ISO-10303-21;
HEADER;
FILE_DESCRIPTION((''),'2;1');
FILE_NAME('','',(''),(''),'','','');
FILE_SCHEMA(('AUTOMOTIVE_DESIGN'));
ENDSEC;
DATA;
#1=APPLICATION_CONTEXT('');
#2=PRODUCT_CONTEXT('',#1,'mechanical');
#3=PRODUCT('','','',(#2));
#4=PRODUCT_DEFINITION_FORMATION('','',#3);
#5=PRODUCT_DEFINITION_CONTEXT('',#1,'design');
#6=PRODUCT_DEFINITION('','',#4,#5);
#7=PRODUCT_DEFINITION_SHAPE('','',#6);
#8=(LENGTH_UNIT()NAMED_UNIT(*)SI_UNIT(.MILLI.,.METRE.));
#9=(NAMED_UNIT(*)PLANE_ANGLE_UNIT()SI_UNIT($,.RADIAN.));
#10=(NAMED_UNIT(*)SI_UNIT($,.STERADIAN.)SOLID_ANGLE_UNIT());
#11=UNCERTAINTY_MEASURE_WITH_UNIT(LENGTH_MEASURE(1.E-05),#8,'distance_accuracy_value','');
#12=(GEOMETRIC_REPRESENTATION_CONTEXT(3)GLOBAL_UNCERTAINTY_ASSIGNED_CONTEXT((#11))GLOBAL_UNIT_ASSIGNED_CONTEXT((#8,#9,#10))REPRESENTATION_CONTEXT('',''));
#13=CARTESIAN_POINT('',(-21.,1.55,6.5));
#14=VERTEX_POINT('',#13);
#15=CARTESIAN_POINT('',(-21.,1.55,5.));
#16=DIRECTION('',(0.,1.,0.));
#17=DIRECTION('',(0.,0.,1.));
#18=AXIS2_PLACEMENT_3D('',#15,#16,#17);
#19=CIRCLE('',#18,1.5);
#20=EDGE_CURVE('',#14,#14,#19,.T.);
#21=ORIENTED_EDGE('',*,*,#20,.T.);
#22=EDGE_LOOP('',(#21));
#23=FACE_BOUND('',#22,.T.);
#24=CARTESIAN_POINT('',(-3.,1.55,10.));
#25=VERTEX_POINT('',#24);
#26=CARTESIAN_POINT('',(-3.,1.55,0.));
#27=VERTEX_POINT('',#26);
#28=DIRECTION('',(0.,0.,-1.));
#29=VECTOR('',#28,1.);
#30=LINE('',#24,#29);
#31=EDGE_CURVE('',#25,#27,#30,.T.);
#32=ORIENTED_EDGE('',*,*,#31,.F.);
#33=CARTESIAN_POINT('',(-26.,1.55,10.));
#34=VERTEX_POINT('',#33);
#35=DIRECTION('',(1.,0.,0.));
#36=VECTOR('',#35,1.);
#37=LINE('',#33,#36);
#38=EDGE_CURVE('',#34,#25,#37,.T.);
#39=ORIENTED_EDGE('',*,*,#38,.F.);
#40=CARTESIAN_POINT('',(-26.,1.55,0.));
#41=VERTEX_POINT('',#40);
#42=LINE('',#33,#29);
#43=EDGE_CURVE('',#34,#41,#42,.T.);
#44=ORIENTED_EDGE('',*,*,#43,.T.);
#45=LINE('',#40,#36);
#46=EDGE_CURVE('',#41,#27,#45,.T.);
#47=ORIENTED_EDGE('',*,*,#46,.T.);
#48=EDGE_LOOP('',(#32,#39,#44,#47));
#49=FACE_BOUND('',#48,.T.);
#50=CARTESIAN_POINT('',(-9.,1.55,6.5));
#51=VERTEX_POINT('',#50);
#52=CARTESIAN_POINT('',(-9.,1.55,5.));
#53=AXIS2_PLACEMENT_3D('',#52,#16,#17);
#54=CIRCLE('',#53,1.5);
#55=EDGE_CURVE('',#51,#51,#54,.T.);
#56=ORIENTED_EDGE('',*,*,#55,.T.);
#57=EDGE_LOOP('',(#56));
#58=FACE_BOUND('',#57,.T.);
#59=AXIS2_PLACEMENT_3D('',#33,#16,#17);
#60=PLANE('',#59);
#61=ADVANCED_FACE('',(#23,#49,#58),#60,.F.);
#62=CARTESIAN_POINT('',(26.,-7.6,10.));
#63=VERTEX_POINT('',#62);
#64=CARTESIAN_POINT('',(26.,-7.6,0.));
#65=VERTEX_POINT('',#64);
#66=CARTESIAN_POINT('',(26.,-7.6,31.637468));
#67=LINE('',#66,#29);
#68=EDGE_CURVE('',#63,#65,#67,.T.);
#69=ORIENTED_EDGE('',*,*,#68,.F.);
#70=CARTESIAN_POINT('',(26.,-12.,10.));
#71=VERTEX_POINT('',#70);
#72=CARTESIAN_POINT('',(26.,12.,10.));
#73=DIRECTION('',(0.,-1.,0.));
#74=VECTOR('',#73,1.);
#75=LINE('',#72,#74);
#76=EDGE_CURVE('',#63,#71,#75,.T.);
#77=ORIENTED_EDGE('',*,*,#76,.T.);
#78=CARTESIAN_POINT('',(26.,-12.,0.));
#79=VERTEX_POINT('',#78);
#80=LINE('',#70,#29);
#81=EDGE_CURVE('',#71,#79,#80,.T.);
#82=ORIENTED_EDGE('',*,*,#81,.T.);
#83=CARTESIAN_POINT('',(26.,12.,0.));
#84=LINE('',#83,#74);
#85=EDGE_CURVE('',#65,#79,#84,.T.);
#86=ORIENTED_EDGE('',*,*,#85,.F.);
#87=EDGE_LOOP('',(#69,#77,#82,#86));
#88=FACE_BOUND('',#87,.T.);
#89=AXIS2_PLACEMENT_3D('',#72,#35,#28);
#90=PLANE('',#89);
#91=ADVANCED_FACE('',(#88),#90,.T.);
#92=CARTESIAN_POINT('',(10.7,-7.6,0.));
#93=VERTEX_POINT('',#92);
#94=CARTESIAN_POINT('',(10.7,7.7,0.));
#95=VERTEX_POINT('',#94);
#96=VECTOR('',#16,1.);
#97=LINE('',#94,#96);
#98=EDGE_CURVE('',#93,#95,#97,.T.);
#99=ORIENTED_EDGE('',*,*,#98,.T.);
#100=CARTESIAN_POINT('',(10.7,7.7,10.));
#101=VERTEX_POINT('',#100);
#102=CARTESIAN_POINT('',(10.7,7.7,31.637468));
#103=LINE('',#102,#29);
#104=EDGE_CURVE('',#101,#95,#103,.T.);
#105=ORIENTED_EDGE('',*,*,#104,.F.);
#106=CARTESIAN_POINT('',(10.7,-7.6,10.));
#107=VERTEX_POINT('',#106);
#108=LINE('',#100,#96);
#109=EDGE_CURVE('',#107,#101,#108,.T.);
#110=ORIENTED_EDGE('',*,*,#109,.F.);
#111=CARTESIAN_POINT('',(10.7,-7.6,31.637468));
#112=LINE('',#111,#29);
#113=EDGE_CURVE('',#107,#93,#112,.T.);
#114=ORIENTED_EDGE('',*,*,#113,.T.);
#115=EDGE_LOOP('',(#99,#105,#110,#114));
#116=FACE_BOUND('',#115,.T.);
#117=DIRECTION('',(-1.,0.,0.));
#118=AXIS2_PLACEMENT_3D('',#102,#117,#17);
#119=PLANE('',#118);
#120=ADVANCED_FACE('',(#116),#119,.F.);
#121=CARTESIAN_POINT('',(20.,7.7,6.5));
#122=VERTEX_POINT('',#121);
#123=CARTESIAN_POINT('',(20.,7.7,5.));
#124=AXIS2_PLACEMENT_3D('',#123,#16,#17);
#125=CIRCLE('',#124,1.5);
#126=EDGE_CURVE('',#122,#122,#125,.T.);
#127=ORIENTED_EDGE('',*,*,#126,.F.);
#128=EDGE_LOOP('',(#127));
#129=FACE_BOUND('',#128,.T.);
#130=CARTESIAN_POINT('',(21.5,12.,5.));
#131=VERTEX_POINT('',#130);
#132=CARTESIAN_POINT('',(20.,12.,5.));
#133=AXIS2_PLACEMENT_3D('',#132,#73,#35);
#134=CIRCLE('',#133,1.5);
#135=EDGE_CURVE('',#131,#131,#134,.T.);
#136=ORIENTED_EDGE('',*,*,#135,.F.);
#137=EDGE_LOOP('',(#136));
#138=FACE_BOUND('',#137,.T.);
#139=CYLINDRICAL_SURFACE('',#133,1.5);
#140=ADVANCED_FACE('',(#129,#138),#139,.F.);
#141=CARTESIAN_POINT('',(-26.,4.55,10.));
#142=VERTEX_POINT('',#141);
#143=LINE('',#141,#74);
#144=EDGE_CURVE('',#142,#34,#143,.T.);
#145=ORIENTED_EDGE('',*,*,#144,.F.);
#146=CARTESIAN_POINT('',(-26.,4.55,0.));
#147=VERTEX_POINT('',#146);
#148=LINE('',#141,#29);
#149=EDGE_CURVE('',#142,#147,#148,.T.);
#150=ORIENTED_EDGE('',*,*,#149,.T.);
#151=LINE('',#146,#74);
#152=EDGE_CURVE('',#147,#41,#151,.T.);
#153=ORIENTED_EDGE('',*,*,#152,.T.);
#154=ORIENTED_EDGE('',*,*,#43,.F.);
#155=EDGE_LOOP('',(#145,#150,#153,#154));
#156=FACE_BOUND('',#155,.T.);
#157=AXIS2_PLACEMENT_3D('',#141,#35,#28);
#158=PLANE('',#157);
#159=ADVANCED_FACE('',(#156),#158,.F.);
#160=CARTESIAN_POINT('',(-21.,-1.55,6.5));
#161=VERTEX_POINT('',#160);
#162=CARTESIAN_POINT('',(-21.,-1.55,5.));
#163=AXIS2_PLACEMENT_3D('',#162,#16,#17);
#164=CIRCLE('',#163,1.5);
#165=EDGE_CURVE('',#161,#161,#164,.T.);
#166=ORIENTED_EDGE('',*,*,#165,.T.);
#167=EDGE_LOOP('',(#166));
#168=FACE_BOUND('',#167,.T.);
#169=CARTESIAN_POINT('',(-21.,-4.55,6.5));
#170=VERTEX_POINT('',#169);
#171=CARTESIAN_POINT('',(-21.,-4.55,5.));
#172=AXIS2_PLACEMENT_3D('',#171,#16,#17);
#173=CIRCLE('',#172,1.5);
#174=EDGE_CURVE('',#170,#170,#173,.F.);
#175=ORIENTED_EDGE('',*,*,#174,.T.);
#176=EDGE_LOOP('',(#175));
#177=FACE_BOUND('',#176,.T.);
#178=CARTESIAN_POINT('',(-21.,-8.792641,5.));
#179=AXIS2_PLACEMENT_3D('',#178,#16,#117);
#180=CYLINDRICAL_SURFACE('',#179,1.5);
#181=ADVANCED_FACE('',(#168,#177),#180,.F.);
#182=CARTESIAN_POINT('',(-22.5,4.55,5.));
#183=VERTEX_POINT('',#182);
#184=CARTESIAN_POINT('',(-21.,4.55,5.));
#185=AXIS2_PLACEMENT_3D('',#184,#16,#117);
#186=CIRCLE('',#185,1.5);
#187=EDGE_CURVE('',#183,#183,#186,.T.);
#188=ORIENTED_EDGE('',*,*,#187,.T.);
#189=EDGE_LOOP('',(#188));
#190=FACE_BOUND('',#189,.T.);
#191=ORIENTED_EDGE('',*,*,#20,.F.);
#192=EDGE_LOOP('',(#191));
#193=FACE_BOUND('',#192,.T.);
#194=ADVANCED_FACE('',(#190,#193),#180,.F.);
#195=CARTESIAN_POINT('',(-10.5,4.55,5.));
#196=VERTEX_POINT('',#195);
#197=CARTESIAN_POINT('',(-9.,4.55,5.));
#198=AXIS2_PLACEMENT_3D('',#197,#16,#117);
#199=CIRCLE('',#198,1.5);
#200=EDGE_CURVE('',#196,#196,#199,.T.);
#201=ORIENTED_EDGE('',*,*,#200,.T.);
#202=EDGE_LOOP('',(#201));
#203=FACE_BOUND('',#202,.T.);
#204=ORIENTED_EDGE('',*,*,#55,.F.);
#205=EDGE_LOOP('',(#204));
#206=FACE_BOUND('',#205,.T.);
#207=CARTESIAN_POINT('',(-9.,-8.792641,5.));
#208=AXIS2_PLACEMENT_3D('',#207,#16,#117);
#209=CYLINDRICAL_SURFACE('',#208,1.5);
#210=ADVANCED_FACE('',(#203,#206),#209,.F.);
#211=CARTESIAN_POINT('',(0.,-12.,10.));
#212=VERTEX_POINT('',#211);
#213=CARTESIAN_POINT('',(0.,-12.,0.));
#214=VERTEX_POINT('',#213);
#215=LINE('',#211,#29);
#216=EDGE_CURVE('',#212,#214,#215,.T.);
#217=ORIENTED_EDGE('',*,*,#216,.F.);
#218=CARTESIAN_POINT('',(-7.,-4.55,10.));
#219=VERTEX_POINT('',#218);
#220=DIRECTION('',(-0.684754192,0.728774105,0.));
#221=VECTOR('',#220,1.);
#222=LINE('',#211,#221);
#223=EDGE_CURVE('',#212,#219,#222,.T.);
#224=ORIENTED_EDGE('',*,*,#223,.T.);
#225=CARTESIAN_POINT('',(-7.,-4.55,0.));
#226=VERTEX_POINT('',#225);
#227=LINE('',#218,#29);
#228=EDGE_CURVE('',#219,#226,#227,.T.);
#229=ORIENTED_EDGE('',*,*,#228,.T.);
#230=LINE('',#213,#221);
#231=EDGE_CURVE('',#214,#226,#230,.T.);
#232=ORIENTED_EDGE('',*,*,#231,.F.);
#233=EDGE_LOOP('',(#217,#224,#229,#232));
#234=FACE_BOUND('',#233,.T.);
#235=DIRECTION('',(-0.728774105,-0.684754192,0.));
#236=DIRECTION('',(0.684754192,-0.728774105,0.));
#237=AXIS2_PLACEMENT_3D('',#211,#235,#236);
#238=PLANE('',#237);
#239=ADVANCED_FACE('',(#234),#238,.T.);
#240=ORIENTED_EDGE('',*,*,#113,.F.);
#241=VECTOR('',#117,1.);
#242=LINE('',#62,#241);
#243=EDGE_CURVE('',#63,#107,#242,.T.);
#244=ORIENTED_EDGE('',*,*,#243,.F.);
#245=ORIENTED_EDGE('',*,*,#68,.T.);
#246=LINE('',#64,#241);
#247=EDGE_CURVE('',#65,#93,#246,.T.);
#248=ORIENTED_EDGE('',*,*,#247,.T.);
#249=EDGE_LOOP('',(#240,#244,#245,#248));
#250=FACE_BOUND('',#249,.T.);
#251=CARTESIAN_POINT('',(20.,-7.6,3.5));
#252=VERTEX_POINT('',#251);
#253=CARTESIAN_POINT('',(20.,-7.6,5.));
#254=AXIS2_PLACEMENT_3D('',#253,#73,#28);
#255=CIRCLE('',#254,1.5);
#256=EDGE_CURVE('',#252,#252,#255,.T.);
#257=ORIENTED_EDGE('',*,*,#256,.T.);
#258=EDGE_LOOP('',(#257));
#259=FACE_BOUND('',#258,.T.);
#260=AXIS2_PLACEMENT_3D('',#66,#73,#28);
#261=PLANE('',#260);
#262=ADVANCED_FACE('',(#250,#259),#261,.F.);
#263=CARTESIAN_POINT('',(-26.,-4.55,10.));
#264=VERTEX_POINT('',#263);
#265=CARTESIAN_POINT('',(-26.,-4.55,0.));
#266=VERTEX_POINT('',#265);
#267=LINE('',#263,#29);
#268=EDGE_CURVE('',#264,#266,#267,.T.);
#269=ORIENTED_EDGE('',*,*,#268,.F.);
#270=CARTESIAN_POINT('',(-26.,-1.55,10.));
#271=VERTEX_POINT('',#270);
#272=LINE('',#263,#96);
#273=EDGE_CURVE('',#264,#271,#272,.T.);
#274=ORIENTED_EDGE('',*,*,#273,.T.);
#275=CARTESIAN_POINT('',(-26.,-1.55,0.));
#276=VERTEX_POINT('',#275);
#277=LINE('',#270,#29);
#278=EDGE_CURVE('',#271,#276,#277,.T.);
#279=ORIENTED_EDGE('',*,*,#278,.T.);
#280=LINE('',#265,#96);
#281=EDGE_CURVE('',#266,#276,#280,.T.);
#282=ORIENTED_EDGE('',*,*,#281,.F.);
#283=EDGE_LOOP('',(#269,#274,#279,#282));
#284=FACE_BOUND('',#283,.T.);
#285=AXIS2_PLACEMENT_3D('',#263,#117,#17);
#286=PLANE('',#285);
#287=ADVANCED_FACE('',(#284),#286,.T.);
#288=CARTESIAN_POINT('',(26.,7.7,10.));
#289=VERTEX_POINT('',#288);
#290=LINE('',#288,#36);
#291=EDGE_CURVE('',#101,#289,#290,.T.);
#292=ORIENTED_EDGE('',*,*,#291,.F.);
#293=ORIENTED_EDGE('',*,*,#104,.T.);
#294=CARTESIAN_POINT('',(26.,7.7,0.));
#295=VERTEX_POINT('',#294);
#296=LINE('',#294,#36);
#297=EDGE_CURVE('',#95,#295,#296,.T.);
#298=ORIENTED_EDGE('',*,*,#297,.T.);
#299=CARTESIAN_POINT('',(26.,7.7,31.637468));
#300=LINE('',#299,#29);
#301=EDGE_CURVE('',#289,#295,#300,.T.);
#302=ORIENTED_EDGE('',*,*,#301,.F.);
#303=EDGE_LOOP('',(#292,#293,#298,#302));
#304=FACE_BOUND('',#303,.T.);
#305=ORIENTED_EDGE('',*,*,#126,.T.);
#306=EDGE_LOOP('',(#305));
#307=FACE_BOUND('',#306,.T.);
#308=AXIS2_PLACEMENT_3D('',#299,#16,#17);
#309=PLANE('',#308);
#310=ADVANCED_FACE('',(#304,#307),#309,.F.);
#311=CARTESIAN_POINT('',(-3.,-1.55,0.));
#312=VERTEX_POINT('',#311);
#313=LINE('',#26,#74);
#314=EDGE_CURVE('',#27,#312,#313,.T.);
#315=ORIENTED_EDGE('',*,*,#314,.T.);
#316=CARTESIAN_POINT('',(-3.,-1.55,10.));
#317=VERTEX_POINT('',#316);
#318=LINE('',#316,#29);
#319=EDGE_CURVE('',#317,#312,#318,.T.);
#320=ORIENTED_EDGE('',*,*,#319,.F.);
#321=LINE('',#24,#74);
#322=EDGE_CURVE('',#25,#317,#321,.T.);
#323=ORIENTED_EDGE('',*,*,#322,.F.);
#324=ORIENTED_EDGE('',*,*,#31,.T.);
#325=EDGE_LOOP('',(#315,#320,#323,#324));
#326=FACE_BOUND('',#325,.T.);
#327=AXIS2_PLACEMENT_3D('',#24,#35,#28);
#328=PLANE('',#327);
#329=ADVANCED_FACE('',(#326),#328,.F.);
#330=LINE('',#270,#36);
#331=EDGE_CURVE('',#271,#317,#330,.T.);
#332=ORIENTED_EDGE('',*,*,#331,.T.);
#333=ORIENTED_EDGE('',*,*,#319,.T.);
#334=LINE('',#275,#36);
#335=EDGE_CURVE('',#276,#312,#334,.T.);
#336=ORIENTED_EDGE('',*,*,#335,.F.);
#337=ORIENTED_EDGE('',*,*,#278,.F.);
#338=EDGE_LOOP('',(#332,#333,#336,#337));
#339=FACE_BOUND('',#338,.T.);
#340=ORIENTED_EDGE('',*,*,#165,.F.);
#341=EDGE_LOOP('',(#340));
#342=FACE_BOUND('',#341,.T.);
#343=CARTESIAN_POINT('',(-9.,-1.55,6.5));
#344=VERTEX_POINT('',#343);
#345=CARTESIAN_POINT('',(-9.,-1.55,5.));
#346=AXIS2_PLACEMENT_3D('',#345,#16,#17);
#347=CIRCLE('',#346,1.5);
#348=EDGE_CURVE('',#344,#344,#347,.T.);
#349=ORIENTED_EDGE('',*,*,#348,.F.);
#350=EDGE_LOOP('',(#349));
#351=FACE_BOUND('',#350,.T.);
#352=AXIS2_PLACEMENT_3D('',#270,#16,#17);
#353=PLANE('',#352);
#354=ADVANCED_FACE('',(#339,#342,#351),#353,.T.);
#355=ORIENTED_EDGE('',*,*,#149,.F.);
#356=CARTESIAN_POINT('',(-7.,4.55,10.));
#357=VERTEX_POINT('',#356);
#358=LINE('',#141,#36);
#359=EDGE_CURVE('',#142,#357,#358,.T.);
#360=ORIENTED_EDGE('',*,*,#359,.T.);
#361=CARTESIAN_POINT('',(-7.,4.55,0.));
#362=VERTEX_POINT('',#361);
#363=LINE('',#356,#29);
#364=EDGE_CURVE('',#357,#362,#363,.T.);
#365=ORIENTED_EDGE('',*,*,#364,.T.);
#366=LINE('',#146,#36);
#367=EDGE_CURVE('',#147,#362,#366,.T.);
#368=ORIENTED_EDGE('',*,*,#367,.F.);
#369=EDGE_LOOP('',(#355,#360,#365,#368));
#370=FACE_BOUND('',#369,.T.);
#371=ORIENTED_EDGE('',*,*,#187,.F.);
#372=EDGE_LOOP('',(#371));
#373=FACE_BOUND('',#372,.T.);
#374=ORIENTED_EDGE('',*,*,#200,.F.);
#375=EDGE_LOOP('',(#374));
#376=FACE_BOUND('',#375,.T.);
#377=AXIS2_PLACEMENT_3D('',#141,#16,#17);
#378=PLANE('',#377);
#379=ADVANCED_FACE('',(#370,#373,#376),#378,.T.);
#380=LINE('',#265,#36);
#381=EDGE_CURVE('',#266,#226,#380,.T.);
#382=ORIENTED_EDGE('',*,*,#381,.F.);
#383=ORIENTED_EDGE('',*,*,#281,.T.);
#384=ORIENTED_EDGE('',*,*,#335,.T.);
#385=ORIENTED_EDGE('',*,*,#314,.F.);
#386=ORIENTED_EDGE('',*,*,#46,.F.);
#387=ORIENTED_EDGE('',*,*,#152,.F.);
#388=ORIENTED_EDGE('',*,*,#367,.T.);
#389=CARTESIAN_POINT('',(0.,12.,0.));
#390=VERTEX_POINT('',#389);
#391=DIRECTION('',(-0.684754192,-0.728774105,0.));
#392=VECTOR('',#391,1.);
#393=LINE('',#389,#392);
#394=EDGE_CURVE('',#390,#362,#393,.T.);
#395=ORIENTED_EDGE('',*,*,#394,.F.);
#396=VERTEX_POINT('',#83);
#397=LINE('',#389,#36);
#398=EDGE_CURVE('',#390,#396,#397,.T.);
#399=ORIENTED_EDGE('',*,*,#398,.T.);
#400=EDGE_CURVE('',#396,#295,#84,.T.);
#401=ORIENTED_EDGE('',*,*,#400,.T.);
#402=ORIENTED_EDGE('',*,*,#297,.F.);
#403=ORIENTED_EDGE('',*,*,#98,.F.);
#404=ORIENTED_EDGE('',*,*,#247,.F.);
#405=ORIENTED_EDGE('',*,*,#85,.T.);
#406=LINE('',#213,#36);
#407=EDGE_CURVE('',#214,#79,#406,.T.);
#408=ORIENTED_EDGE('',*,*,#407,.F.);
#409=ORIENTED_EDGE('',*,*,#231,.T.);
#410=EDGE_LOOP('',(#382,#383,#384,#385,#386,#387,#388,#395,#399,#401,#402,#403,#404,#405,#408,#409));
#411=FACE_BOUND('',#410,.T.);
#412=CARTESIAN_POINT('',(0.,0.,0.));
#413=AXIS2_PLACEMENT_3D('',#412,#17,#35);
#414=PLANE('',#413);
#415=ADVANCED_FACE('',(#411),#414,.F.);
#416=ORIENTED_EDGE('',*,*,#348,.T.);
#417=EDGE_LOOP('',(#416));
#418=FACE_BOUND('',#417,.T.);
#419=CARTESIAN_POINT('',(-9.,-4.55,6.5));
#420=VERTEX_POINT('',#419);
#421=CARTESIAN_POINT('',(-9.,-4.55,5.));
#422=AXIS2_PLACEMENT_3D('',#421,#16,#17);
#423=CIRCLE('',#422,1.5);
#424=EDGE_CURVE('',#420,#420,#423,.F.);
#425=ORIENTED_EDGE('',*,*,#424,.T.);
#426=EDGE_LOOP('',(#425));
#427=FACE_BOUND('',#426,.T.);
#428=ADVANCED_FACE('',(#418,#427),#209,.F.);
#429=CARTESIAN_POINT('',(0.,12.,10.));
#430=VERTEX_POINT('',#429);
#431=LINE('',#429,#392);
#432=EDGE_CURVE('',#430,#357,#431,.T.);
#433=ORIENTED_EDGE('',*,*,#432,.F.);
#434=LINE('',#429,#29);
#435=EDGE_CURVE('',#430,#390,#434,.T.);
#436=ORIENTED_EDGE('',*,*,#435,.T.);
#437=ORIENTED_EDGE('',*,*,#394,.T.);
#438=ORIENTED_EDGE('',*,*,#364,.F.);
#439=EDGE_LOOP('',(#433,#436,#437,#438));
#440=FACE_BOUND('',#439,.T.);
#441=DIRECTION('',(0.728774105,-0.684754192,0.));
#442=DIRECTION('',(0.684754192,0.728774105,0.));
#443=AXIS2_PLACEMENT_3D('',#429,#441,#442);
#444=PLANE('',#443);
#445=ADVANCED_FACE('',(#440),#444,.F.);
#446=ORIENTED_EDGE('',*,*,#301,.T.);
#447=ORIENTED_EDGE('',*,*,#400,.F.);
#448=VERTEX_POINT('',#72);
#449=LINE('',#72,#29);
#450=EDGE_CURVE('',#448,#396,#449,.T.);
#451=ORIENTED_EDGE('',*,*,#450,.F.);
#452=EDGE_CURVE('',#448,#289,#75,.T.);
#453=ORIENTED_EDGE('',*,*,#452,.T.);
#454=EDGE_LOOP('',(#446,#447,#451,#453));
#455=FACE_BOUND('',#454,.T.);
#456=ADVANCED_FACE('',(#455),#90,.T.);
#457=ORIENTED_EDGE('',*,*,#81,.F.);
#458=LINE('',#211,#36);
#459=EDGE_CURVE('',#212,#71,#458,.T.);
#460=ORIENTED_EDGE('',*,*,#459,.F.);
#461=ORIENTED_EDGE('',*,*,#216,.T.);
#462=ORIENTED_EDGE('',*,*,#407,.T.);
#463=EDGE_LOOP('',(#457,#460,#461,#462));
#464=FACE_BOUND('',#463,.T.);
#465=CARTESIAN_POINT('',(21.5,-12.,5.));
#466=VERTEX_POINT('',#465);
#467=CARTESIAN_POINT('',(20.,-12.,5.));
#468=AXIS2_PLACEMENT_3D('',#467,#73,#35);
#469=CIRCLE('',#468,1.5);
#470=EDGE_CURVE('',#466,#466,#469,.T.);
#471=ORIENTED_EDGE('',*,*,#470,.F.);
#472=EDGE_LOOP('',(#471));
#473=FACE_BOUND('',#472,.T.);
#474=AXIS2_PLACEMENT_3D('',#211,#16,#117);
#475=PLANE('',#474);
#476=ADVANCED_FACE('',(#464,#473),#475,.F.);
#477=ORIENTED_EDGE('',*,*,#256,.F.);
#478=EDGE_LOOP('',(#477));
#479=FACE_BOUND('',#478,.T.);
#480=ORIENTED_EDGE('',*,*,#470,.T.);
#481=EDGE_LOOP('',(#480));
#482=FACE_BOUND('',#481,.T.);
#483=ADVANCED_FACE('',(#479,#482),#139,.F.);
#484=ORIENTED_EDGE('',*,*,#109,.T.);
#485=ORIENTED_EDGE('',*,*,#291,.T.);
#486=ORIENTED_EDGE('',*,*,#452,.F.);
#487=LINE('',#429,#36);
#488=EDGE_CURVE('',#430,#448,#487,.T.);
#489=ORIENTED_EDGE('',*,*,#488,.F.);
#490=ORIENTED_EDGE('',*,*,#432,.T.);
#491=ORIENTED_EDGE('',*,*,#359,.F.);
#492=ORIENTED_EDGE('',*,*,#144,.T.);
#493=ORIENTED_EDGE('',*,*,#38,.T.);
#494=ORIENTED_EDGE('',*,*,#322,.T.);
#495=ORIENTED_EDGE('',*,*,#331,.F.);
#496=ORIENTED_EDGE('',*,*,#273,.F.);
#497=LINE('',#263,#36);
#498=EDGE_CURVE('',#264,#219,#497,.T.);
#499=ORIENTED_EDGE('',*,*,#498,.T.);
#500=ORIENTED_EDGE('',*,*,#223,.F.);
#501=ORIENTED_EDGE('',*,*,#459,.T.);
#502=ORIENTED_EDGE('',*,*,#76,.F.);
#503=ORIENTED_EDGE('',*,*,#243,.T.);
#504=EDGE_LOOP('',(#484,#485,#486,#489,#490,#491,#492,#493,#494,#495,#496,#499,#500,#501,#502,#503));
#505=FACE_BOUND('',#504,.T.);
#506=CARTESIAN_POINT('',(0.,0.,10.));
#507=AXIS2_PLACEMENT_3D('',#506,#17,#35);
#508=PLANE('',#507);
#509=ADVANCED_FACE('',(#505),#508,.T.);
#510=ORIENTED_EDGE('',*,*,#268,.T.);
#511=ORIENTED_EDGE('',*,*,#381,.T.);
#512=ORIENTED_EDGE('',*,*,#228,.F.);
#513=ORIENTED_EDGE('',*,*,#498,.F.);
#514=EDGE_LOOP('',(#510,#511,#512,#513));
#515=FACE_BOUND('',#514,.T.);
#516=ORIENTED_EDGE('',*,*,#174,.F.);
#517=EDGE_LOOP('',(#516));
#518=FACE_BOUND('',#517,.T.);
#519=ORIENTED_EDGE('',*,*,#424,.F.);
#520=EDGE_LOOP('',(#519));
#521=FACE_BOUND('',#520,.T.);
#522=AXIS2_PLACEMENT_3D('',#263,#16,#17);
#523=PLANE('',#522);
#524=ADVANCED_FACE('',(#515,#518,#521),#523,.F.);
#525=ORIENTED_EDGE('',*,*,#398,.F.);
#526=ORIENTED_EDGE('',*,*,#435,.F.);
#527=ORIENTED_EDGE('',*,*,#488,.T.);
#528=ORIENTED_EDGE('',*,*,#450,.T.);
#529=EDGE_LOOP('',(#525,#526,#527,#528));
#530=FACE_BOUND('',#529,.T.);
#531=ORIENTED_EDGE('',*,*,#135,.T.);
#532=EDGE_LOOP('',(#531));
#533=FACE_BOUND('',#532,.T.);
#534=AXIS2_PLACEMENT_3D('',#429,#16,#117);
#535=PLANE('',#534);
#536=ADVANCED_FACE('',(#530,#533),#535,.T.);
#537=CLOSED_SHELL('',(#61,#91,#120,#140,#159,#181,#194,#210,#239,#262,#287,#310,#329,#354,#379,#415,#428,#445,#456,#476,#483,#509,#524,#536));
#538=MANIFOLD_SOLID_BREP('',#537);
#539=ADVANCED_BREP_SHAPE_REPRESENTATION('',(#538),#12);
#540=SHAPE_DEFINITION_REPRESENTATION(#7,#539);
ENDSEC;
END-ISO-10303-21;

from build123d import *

# Parameters (mm, degrees)
EXTRUDE_1_DEPTH     = 10
CUT_EXTRUDE_5_REACH = 34.402
SKETCH_7_R          = 1.5
SKETCH_8_W          = 15.3
SKETCH_8_H          = 15.3
CUT_EXTRUDE_6_DEPTH = 10
SKETCH_11_R         = 1.5
CUT_EXTRUDE_8_DEPTH = 37.769552622


with BuildPart() as part:
    # 草图1 → 凸台-拉伸1 (new body)
    with BuildSketch(Plane.XY):
        Polygon((-26, 4.55), (-26, 1.55), (-3, 1.55), (-3, -1.55), (-26, -1.55), (-26, -4.55), (-7, -4.55), (0, -12), (26, -12), (26, 12), (0, 12), (-7, 4.55), align=None)
    extrude(amount=EXTRUDE_1_DEPTH)

    # 切除-拉伸5: up to this face of the body (flat: up to its plane)
    cut_extrude_5_end = Plane(part.part.faces().sort_by_distance((-16.5, -4.55, 5))[0])
    # 草图7 → 切除-拉伸5 (cut, up to the picked face)
    with BuildSketch(Plane(origin=(0, 4.55, 0), x_dir=(1, 0, 0), z_dir=(0, 1, 0)), mode=Mode.PRIVATE) as cut_extrude_5_sk1:
        with Locations(Location((-21, -5, 0), (0, 0, 270))):
            Circle(SKETCH_7_R)
    cut_extrude_5_tool1 = split(extrude(cut_extrude_5_sk1.sketch, amount=-CUT_EXTRUDE_5_REACH, mode=Mode.PRIVATE), bisect_by=cut_extrude_5_end, keep=Keep.BOTH, mode=Mode.PRIVATE)
    # 草图7 → 切除-拉伸5 (cut, up to the picked face)
    with BuildSketch(Plane(origin=(0, 4.55, 0), x_dir=(1, 0, 0), z_dir=(0, 1, 0)), mode=Mode.PRIVATE) as cut_extrude_5_sk2:
        with Locations(Location((-9, -5, 0), (0, 0, 270))):
            Circle(SKETCH_7_R)
    cut_extrude_5_tool2 = split(extrude(cut_extrude_5_sk2.sketch, amount=-CUT_EXTRUDE_5_REACH, mode=Mode.PRIVATE), bisect_by=cut_extrude_5_end, keep=Keep.BOTH, mode=Mode.PRIVATE)
    add(cut_extrude_5_tool1.solids().sort_by(Axis((-21, 4.55, 5), (0, -1, 0)))[0], mode=Mode.SUBTRACT)
    add(cut_extrude_5_tool2.solids().sort_by(Axis((-9, 4.55, 5), (0, -1, 0)))[0], mode=Mode.SUBTRACT)

    # 草图8 → 切除-拉伸6 (cut)
    with BuildSketch(Plane(origin=(0, 0, 0), x_dir=(-1, 0, 0), z_dir=(0, 0, -1))):
        with Locations((-18.35, 0.05)):
            Rectangle(SKETCH_8_W, SKETCH_8_H)
    extrude(amount=-CUT_EXTRUDE_6_DEPTH, mode=Mode.SUBTRACT)

    # 草图11 → 切除-拉伸8 (cut, through all)
    with BuildSketch(Plane.XZ.offset(12)):
        with Locations((20, 5)):
            Circle(SKETCH_11_R)
    extrude(amount=-CUT_EXTRUDE_8_DEPTH, mode=Mode.SUBTRACT)


solid = part.part
